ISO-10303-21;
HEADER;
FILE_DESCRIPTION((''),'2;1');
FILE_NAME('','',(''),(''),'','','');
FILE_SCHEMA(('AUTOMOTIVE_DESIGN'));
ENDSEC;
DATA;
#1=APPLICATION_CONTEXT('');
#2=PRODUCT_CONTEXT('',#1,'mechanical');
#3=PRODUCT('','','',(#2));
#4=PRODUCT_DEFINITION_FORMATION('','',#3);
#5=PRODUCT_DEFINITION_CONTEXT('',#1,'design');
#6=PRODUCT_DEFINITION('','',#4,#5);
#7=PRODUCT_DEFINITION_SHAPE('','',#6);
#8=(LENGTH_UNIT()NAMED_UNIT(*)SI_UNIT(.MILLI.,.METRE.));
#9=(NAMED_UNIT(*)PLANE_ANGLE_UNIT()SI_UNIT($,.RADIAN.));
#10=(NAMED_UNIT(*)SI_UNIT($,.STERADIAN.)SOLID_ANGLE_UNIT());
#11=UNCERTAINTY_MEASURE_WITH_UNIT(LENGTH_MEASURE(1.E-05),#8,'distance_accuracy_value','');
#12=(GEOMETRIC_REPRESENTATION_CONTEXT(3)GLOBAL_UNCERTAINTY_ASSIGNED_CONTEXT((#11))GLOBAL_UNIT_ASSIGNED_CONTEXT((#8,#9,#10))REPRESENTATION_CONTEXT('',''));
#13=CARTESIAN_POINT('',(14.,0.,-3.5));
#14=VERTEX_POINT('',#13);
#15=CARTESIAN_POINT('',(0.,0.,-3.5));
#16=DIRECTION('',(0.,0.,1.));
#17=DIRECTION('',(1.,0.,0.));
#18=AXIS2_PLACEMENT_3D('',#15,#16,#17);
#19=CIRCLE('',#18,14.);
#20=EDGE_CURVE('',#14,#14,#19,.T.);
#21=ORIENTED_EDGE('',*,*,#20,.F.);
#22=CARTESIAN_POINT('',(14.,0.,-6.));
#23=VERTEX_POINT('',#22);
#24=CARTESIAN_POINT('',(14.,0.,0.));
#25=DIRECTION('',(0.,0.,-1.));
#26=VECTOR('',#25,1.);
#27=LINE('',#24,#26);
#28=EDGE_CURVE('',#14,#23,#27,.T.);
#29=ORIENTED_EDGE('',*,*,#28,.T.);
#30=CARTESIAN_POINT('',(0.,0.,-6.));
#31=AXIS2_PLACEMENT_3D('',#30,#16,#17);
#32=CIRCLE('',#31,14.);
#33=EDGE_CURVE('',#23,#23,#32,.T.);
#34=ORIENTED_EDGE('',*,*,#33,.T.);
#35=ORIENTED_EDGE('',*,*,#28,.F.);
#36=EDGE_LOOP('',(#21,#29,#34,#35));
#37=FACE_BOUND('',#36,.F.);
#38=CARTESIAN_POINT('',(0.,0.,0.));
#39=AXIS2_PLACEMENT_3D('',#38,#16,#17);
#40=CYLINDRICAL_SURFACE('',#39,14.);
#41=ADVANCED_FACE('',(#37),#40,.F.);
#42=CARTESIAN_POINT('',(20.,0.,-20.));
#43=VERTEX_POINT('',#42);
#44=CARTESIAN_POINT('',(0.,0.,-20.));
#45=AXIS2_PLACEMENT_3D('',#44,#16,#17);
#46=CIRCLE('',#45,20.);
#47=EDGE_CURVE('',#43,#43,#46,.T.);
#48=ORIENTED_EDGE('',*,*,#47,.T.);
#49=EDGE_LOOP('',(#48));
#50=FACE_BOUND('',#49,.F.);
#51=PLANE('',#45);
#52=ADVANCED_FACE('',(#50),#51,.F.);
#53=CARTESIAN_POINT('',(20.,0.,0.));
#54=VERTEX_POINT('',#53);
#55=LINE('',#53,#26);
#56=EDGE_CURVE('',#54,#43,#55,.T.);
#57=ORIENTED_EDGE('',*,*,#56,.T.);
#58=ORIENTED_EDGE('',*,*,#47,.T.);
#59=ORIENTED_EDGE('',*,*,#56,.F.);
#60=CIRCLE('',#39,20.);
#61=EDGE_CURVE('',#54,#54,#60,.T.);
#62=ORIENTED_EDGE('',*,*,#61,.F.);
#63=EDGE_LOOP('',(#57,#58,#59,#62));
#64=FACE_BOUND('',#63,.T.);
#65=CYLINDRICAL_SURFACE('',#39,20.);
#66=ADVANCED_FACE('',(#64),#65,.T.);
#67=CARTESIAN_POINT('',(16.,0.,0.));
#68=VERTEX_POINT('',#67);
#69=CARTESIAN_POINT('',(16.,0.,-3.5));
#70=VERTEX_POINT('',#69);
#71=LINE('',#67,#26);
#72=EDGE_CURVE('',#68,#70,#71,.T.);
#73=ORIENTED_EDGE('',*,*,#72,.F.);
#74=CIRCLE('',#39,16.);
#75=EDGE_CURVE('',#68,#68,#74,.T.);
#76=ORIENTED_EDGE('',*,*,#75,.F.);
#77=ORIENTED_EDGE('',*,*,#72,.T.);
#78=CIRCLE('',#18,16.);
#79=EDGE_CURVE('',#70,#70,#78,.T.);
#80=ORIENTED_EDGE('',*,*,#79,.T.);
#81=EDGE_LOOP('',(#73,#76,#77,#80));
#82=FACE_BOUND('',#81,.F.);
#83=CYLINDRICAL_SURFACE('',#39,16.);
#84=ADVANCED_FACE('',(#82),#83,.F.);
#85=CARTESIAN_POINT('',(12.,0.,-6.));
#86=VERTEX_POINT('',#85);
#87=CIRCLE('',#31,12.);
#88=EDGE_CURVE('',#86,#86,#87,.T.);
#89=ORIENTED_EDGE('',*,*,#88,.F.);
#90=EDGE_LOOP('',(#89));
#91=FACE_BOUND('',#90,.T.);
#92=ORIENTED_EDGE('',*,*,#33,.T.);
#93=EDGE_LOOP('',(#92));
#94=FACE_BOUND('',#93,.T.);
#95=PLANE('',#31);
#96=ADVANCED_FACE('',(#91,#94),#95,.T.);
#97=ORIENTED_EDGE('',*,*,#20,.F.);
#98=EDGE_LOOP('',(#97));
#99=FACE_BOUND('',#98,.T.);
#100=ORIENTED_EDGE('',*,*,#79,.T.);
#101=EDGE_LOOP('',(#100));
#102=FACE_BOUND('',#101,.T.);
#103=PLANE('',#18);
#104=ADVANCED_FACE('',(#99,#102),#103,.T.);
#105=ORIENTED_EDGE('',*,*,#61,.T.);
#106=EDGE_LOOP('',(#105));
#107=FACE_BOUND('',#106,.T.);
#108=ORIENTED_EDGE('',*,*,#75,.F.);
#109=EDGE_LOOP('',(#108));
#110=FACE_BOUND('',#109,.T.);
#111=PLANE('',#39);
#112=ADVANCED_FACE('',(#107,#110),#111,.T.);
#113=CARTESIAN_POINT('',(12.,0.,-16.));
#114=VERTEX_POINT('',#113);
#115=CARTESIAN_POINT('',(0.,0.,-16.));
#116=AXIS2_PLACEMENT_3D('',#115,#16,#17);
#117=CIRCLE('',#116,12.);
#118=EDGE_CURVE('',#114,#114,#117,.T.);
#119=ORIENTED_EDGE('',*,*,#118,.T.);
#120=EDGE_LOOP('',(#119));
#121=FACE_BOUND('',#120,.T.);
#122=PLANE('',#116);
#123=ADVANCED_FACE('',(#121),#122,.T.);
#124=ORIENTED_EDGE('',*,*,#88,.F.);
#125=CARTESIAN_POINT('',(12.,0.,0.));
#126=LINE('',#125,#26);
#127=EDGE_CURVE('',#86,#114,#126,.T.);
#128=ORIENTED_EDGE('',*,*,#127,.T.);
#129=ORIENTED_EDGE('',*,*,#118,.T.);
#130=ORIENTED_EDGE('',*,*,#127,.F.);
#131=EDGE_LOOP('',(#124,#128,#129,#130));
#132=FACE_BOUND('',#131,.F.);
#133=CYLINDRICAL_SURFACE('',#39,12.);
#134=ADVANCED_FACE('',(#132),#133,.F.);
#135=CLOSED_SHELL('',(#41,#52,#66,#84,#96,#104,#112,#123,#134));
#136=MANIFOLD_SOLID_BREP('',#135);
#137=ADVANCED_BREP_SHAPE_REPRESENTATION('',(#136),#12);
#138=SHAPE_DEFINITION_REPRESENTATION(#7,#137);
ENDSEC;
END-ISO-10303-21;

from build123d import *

# Parameters (mm, degrees)
F0_R     = 20
F0_R_2   = 16
F0_R_3   = 14
F0_R_4   = 12
F1_DEPTH = 20
F2_DEPTH = 16
F3_DEPTH = 6
F4_DEPTH = 3.5


with BuildPart() as f1:
    # F0 (on Top) → F1 (new body)
    with BuildSketch(Plane.XY):
        Circle(F0_R)
        Circle(F0_R_2, mode=Mode.SUBTRACT)
        Circle(F0_R_2)
        Circle(F0_R_3, mode=Mode.SUBTRACT)
        Circle(F0_R_3)
        Circle(F0_R_4, mode=Mode.SUBTRACT)
        Circle(F0_R_4)
    extrude(amount=-F1_DEPTH)

    # F0 (on Top) → F2 (cut)
    with BuildSketch(Plane.XY):
        Circle(F0_R_4)
    extrude(amount=-F2_DEPTH, mode=Mode.SUBTRACT)

    # F0 (on Top) → F3 (cut)
    with BuildSketch(Plane.XY):
        Circle(F0_R_3)
        Circle(F0_R_4, mode=Mode.SUBTRACT)
    extrude(amount=-F3_DEPTH, mode=Mode.SUBTRACT)

    # F0 (on Top) → F4 (cut)
    with BuildSketch(Plane.XY):
        Circle(F0_R_2)
        Circle(F0_R_3, mode=Mode.SUBTRACT)
    extrude(amount=-F4_DEPTH, mode=Mode.SUBTRACT)


solid = f1.part
